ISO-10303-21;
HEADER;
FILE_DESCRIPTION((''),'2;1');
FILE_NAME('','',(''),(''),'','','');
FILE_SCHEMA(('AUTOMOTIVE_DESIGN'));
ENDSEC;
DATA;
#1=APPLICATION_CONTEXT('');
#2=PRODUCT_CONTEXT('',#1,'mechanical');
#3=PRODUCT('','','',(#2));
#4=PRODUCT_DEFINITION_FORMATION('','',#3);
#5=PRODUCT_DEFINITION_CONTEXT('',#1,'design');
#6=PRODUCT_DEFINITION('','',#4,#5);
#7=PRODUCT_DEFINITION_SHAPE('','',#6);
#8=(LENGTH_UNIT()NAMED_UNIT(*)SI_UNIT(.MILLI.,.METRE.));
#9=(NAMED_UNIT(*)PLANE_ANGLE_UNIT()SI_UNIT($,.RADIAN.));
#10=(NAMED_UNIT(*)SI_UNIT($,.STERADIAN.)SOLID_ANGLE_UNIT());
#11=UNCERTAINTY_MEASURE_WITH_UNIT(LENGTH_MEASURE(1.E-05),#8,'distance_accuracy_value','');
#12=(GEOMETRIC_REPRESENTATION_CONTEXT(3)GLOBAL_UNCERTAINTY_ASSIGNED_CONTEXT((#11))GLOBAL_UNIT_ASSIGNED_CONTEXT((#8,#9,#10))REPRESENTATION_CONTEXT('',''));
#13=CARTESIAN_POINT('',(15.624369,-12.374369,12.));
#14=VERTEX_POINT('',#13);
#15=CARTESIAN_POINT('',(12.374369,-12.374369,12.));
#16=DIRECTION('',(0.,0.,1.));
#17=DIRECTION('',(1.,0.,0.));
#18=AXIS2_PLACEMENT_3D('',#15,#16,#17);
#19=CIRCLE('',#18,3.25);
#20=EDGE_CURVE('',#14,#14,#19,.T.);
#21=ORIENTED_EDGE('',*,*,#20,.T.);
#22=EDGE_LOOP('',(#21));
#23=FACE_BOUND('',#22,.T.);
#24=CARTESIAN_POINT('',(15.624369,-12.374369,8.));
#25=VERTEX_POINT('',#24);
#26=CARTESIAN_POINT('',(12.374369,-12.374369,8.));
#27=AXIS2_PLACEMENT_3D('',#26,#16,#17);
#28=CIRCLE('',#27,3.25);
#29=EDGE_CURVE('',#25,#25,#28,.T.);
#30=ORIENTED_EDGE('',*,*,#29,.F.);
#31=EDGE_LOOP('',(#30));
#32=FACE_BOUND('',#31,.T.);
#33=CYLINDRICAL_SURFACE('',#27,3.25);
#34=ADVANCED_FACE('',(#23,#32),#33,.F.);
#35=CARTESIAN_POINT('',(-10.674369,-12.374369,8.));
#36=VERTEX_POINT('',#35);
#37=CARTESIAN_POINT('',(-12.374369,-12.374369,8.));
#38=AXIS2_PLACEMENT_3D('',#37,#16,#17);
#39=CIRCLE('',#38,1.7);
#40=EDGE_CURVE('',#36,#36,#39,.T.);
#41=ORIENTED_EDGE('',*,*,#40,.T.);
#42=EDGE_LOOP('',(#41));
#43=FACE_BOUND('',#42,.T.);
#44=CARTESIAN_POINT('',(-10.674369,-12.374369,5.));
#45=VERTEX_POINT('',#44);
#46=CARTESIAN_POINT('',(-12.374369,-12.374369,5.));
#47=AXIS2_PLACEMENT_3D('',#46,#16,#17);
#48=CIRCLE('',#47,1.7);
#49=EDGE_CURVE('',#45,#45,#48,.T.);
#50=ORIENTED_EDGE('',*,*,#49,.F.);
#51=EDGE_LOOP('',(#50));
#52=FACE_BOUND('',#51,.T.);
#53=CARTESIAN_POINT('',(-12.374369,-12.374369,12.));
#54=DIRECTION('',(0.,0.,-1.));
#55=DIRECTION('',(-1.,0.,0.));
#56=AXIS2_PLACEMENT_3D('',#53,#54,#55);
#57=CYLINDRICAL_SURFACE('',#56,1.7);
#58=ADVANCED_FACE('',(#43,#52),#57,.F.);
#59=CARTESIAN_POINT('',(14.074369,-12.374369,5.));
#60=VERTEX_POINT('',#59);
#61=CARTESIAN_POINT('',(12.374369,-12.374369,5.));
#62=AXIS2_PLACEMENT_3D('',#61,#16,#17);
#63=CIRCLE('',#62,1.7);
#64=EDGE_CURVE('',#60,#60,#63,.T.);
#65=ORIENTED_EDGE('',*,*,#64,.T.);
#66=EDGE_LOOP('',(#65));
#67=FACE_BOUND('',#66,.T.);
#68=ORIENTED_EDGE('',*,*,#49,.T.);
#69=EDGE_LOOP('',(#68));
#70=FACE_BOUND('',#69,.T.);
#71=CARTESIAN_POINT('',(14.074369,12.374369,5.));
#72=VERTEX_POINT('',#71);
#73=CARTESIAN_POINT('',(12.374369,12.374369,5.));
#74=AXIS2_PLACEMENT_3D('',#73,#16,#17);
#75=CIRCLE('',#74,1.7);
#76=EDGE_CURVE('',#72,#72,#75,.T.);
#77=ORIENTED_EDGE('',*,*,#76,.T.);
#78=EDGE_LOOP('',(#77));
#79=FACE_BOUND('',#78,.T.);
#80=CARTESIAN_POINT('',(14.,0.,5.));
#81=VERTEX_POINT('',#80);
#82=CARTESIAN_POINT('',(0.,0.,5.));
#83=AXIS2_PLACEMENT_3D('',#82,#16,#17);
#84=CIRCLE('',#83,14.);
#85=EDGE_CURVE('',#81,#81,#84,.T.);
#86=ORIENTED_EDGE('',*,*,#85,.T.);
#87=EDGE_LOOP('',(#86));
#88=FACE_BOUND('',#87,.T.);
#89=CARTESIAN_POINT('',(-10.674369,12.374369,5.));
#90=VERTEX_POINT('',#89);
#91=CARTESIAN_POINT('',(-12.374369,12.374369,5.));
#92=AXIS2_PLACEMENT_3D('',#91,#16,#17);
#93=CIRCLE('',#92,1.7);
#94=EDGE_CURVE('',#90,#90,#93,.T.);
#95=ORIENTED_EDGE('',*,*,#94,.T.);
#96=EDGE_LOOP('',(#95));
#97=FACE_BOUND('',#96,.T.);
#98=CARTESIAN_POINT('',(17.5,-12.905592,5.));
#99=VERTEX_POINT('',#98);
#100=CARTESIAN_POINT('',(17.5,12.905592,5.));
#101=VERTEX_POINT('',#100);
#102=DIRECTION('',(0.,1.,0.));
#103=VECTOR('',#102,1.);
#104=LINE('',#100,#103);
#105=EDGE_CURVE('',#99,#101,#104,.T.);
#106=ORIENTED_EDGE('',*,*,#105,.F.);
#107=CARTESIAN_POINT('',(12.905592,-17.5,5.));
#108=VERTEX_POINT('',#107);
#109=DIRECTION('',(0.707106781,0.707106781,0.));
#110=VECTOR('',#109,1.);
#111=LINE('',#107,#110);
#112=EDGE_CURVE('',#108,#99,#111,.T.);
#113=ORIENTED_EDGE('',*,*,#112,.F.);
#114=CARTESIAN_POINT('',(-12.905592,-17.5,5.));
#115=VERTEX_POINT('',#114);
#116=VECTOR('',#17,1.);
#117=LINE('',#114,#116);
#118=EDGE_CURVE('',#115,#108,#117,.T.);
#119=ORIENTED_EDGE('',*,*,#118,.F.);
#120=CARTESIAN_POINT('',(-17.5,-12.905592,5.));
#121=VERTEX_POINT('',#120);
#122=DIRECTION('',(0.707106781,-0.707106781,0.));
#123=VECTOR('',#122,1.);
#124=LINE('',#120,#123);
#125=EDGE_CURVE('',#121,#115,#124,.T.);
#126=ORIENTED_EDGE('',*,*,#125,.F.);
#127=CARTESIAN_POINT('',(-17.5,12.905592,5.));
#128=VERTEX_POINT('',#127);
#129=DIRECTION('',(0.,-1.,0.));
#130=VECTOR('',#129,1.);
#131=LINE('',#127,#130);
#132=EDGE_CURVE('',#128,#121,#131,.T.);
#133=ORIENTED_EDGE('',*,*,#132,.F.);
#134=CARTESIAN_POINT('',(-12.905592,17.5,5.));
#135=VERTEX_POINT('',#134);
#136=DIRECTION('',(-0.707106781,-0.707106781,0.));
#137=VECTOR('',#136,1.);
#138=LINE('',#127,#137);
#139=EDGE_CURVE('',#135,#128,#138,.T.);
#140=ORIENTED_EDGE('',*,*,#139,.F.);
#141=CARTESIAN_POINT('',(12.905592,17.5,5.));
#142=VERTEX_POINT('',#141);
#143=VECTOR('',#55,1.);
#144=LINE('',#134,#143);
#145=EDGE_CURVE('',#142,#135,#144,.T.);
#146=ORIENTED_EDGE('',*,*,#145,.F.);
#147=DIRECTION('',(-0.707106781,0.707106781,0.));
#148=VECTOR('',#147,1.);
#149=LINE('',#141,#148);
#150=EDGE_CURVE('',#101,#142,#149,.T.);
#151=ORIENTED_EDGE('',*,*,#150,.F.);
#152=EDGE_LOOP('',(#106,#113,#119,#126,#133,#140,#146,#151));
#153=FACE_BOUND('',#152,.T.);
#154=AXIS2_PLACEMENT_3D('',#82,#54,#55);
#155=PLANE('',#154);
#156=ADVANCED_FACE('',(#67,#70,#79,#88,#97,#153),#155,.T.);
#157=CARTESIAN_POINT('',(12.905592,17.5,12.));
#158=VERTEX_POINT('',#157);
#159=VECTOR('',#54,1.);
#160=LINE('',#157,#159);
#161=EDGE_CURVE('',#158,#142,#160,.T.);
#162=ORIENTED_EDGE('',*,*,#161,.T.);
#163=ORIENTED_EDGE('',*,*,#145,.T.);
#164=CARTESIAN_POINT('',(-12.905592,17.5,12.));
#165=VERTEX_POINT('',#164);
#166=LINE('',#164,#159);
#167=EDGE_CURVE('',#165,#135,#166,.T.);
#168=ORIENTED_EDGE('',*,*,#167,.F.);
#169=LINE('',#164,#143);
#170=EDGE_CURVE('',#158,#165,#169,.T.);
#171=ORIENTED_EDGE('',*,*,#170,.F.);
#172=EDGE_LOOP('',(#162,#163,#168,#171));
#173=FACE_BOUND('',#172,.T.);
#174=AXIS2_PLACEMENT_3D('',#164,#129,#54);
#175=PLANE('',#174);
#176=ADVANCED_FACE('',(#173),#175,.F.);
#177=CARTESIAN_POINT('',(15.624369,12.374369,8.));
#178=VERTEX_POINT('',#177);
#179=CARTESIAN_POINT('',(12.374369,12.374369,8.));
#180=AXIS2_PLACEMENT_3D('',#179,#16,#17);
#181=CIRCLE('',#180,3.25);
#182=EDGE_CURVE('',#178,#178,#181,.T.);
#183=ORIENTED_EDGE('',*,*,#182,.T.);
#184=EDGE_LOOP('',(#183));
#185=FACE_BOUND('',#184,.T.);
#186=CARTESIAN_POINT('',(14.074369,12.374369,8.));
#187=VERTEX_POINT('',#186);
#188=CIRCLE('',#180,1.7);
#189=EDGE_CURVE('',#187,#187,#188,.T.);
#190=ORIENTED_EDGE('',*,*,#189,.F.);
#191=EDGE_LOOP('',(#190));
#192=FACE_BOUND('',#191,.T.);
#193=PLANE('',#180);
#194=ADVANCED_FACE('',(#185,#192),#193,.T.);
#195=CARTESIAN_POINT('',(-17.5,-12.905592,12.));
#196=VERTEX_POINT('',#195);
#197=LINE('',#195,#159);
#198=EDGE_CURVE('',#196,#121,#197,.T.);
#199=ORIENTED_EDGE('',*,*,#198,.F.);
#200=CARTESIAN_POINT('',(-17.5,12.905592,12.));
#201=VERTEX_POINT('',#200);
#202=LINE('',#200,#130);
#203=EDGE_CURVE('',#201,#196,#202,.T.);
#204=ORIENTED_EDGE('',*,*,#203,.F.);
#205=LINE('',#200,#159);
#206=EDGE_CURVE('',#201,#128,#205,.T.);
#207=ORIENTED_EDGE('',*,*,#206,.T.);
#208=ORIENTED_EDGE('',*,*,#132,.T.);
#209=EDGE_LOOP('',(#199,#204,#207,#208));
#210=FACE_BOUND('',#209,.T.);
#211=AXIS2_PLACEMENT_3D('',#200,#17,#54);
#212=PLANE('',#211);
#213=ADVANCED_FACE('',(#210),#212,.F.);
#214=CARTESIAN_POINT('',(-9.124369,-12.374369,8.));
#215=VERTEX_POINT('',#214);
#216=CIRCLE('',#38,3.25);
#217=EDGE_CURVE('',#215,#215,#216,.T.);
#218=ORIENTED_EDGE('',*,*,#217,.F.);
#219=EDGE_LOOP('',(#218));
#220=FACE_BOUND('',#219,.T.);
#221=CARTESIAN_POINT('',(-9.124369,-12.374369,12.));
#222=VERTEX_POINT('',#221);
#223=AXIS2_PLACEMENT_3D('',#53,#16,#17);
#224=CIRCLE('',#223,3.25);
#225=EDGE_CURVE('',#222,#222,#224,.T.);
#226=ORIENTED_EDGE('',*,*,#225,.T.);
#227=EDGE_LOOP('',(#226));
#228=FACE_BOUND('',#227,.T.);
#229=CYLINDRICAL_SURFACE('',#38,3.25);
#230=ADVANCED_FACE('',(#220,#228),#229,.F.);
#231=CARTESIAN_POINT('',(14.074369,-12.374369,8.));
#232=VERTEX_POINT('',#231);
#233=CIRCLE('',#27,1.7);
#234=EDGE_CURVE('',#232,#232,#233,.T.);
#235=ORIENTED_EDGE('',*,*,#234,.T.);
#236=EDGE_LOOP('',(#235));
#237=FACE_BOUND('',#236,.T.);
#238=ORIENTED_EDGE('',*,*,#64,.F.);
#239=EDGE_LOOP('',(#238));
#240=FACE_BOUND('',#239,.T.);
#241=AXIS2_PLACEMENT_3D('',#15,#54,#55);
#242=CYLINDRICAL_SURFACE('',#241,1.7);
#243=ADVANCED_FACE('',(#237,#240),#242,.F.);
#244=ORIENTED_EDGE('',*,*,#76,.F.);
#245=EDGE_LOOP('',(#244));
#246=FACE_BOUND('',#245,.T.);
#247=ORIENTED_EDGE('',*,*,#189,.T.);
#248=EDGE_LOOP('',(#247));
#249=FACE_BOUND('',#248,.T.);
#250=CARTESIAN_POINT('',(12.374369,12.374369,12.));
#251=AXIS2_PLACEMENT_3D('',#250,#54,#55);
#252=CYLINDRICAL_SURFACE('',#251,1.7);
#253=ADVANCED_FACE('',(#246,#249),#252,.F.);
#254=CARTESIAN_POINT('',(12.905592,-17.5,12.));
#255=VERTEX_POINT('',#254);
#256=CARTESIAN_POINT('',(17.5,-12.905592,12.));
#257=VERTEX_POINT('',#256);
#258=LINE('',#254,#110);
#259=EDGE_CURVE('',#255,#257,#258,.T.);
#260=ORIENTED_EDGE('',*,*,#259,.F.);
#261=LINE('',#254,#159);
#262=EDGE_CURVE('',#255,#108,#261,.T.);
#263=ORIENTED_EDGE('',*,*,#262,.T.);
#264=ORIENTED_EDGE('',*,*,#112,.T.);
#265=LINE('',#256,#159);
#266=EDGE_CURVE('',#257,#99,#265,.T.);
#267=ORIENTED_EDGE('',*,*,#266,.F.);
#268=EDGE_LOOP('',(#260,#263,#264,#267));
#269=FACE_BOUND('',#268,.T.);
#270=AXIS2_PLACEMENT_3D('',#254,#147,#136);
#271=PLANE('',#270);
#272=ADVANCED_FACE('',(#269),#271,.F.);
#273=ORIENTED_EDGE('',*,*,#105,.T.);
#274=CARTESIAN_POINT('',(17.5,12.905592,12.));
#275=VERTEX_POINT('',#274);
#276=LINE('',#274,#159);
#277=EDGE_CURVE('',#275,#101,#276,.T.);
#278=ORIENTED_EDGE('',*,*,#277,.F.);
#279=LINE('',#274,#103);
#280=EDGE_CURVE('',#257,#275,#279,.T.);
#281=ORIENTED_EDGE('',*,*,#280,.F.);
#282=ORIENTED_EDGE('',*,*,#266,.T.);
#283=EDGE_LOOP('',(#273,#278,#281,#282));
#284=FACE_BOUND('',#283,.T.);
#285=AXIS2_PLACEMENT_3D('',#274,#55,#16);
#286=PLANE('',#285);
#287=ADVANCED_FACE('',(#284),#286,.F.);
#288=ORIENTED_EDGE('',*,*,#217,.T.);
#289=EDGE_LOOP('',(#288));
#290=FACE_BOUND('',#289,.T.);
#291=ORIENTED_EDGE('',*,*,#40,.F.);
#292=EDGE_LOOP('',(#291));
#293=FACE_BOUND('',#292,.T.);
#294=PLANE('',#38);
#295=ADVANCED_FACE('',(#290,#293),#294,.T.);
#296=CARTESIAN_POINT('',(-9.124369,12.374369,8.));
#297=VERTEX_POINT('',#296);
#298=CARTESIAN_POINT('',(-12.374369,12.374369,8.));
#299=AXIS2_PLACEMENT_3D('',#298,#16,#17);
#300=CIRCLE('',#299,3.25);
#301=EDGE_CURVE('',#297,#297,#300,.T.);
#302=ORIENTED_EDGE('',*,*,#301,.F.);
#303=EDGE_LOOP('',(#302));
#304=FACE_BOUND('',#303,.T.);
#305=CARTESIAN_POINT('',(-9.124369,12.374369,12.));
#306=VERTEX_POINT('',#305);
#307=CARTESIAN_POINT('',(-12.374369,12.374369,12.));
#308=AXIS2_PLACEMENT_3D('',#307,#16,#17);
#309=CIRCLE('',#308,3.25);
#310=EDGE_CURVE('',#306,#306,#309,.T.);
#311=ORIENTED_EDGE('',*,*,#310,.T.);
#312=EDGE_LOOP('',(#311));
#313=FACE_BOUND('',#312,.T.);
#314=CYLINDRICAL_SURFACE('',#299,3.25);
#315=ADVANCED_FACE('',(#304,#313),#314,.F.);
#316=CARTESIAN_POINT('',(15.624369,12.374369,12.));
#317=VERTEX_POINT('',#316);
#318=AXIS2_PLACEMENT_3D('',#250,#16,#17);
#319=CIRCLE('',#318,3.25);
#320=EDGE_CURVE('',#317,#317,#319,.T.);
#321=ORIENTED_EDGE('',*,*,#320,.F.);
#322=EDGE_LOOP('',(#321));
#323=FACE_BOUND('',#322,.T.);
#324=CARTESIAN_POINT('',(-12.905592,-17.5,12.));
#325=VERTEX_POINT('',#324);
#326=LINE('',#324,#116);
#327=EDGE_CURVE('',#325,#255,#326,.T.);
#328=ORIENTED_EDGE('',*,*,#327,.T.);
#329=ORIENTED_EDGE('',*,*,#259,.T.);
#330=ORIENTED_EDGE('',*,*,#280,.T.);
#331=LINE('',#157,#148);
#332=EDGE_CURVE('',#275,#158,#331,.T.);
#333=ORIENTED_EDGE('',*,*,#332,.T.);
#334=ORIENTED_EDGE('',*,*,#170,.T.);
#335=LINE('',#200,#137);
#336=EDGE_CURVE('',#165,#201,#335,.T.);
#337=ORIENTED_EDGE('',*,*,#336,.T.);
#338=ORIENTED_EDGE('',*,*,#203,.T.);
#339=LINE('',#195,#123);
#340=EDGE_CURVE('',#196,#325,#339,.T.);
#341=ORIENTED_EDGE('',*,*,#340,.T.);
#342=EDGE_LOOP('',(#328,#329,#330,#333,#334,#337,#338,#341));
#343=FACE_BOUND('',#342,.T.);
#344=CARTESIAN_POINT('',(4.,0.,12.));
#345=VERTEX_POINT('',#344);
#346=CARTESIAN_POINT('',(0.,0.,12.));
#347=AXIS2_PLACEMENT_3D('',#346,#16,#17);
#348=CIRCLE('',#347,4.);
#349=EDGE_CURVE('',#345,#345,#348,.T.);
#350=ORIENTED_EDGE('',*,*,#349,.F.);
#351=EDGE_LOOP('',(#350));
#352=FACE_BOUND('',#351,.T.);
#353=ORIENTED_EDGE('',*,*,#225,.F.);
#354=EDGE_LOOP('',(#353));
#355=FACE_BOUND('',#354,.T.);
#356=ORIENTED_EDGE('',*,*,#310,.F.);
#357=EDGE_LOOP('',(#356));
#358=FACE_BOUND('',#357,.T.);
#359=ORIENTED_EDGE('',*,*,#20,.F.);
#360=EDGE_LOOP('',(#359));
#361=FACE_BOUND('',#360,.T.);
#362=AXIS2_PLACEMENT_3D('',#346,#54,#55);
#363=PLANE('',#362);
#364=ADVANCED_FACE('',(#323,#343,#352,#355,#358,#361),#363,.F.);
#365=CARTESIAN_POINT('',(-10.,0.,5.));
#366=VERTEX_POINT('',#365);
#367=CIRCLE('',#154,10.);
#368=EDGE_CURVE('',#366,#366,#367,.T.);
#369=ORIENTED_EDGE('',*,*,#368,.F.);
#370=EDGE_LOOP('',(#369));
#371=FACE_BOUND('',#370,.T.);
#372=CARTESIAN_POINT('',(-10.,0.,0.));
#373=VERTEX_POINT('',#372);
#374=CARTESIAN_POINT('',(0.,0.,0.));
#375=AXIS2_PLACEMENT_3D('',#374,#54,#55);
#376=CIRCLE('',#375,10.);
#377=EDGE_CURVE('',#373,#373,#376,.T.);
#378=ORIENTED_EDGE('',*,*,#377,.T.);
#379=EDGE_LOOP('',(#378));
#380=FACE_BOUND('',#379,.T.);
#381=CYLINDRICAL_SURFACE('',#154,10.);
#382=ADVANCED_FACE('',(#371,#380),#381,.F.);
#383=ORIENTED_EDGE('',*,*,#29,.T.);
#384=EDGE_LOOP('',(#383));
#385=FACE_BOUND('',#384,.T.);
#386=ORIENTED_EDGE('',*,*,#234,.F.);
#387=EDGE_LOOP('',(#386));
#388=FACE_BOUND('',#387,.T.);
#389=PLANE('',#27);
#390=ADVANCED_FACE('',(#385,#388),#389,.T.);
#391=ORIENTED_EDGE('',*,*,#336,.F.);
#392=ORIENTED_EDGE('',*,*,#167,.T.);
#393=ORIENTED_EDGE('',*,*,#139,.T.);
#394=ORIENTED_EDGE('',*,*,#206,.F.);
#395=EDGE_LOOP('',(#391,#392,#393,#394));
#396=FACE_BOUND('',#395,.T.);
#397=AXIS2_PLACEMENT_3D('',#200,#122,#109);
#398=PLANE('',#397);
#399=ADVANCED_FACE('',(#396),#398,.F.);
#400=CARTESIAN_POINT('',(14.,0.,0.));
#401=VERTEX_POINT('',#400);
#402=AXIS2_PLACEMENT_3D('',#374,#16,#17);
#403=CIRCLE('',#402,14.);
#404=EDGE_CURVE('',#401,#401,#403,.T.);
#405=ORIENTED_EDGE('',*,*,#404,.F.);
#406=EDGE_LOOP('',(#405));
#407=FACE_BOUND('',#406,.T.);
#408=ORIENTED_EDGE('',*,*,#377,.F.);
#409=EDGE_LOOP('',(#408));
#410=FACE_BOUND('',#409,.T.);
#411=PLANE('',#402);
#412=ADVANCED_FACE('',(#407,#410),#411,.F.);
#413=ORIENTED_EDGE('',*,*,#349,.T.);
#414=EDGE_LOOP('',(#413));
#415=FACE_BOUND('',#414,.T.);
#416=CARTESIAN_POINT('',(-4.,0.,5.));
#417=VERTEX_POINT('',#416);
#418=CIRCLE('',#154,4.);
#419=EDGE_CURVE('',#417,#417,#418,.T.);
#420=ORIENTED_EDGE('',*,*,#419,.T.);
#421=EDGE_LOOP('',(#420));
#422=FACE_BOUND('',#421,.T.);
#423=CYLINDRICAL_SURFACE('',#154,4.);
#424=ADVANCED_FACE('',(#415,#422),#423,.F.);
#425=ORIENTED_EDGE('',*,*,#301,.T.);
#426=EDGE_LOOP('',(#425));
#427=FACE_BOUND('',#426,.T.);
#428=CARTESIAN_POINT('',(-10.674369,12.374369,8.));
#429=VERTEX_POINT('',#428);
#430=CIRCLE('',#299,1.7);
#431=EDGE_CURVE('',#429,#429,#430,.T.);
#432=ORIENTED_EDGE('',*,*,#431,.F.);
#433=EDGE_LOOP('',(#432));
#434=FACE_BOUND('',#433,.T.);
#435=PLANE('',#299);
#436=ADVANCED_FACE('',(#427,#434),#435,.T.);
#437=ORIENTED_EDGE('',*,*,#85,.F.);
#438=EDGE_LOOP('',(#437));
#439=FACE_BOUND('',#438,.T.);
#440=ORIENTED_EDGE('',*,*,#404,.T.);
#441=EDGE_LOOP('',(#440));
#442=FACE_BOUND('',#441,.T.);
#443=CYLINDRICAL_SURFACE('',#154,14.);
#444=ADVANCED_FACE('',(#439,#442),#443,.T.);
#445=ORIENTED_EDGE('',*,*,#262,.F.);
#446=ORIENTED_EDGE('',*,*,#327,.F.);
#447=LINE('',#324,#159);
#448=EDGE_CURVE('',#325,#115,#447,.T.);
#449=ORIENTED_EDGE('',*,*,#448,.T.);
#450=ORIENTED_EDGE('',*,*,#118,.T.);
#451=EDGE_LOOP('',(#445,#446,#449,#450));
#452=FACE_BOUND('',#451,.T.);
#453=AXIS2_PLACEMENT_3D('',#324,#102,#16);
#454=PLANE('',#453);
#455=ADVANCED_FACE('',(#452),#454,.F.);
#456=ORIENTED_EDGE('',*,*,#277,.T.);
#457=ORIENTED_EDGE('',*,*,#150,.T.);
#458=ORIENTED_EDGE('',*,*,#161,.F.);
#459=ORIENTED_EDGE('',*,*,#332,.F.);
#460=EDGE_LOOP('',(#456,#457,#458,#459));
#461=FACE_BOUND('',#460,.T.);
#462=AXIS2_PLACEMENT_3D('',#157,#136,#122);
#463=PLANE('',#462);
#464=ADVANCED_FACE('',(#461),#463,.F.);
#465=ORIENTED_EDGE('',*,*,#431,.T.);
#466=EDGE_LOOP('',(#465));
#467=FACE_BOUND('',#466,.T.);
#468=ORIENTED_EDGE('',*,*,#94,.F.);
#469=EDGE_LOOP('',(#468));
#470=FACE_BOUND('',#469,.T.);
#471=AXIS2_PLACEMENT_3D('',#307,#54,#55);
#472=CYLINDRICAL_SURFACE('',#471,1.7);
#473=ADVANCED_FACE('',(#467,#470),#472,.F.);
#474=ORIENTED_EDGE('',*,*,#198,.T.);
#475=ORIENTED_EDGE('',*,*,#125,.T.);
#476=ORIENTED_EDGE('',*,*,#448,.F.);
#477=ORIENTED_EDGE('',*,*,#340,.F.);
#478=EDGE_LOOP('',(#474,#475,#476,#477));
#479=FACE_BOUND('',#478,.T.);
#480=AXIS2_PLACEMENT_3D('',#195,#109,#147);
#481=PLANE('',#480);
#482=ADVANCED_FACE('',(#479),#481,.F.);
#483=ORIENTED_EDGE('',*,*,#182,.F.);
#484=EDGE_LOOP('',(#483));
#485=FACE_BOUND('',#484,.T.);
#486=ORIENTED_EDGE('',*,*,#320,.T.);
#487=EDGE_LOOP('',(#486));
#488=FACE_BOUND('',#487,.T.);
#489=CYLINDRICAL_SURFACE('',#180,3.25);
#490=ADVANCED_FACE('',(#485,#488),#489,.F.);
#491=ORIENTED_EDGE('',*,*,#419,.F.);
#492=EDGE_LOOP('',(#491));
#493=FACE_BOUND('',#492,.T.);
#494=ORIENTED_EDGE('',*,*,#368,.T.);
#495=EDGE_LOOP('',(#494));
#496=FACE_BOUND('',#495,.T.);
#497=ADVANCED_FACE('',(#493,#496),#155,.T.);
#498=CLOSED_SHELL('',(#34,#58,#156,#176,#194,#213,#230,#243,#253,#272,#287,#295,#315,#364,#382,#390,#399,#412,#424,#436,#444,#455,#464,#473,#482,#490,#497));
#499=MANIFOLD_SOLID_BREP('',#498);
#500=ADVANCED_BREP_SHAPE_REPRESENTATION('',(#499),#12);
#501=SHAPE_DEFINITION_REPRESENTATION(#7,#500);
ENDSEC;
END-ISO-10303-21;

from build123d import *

# Parameters (mm, degrees)
SKETCH_1_R          = 14
SKETCH_1_R_2        = 4
EXTRUDE_1_DEPTH     = 5
SKETCH_2_R          = 4
SKETCH_2_R_2        = 1.7
EXTRUDE_2_DEPTH     = 7
SKETCH_3_R          = 3.25
CUT_EXTRUDE_1_DEPTH = 4
SKETCH_4_R          = 10
CUT_EXTRUDE_2_DEPTH = 5


with BuildPart() as part:
    # 草图1 → 凸台-拉伸1 (new body)
    with BuildSketch(Plane.XY):
        Circle(SKETCH_1_R)
        Circle(SKETCH_1_R_2, mode=Mode.SUBTRACT)
    extrude(amount=EXTRUDE_1_DEPTH)

    # 草图2 → 凸台-拉伸2 (add)
    with BuildSketch(Plane.XY.offset(5)):
        Polygon((-17.5, 12.905591591), (-12.905591591, 17.5), (12.905591591, 17.5), (17.5, 12.905591591), (17.5, -12.905591591), (12.905591591, -17.5), (-12.905591591, -17.5), (-17.5, -12.905591591), align=None)
        Circle(SKETCH_2_R, mode=Mode.SUBTRACT)
        with Locations((-12.374368671, 12.374368671)):
            Circle(SKETCH_2_R_2, mode=Mode.SUBTRACT)
        with Locations((12.374368671, 12.374368671)):
            Circle(SKETCH_2_R_2, mode=Mode.SUBTRACT)
        with Locations((12.374368671, -12.374368671)):
            Circle(SKETCH_2_R_2, mode=Mode.SUBTRACT)
        with Locations((-12.374368671, -12.374368671)):
            Circle(SKETCH_2_R_2, mode=Mode.SUBTRACT)
    extrude(amount=EXTRUDE_2_DEPTH)

    # 草图3 → 切除-拉伸1 (cut)
    with BuildSketch(Plane.XY.offset(12)):
        with Locations((-12.374368671, 12.374368671)):
            Circle(SKETCH_3_R)
        with Locations((12.374368671, 12.374368671)):
            Circle(SKETCH_3_R)
        with Locations((12.374368671, -12.374368671)):
            Circle(SKETCH_3_R)
        with Locations((-12.374368671, -12.374368671)):
            Circle(SKETCH_3_R)
    extrude(amount=-CUT_EXTRUDE_1_DEPTH, mode=Mode.SUBTRACT)

    # 草图4 → 切除-拉伸2 (cut)
    with BuildSketch(Plane(origin=(0, 0, 0), x_dir=(-1, 0, 0), z_dir=(0, 0, -1))):
        Circle(SKETCH_4_R)
    extrude(amount=-CUT_EXTRUDE_2_DEPTH, mode=Mode.SUBTRACT)


solid = part.part
